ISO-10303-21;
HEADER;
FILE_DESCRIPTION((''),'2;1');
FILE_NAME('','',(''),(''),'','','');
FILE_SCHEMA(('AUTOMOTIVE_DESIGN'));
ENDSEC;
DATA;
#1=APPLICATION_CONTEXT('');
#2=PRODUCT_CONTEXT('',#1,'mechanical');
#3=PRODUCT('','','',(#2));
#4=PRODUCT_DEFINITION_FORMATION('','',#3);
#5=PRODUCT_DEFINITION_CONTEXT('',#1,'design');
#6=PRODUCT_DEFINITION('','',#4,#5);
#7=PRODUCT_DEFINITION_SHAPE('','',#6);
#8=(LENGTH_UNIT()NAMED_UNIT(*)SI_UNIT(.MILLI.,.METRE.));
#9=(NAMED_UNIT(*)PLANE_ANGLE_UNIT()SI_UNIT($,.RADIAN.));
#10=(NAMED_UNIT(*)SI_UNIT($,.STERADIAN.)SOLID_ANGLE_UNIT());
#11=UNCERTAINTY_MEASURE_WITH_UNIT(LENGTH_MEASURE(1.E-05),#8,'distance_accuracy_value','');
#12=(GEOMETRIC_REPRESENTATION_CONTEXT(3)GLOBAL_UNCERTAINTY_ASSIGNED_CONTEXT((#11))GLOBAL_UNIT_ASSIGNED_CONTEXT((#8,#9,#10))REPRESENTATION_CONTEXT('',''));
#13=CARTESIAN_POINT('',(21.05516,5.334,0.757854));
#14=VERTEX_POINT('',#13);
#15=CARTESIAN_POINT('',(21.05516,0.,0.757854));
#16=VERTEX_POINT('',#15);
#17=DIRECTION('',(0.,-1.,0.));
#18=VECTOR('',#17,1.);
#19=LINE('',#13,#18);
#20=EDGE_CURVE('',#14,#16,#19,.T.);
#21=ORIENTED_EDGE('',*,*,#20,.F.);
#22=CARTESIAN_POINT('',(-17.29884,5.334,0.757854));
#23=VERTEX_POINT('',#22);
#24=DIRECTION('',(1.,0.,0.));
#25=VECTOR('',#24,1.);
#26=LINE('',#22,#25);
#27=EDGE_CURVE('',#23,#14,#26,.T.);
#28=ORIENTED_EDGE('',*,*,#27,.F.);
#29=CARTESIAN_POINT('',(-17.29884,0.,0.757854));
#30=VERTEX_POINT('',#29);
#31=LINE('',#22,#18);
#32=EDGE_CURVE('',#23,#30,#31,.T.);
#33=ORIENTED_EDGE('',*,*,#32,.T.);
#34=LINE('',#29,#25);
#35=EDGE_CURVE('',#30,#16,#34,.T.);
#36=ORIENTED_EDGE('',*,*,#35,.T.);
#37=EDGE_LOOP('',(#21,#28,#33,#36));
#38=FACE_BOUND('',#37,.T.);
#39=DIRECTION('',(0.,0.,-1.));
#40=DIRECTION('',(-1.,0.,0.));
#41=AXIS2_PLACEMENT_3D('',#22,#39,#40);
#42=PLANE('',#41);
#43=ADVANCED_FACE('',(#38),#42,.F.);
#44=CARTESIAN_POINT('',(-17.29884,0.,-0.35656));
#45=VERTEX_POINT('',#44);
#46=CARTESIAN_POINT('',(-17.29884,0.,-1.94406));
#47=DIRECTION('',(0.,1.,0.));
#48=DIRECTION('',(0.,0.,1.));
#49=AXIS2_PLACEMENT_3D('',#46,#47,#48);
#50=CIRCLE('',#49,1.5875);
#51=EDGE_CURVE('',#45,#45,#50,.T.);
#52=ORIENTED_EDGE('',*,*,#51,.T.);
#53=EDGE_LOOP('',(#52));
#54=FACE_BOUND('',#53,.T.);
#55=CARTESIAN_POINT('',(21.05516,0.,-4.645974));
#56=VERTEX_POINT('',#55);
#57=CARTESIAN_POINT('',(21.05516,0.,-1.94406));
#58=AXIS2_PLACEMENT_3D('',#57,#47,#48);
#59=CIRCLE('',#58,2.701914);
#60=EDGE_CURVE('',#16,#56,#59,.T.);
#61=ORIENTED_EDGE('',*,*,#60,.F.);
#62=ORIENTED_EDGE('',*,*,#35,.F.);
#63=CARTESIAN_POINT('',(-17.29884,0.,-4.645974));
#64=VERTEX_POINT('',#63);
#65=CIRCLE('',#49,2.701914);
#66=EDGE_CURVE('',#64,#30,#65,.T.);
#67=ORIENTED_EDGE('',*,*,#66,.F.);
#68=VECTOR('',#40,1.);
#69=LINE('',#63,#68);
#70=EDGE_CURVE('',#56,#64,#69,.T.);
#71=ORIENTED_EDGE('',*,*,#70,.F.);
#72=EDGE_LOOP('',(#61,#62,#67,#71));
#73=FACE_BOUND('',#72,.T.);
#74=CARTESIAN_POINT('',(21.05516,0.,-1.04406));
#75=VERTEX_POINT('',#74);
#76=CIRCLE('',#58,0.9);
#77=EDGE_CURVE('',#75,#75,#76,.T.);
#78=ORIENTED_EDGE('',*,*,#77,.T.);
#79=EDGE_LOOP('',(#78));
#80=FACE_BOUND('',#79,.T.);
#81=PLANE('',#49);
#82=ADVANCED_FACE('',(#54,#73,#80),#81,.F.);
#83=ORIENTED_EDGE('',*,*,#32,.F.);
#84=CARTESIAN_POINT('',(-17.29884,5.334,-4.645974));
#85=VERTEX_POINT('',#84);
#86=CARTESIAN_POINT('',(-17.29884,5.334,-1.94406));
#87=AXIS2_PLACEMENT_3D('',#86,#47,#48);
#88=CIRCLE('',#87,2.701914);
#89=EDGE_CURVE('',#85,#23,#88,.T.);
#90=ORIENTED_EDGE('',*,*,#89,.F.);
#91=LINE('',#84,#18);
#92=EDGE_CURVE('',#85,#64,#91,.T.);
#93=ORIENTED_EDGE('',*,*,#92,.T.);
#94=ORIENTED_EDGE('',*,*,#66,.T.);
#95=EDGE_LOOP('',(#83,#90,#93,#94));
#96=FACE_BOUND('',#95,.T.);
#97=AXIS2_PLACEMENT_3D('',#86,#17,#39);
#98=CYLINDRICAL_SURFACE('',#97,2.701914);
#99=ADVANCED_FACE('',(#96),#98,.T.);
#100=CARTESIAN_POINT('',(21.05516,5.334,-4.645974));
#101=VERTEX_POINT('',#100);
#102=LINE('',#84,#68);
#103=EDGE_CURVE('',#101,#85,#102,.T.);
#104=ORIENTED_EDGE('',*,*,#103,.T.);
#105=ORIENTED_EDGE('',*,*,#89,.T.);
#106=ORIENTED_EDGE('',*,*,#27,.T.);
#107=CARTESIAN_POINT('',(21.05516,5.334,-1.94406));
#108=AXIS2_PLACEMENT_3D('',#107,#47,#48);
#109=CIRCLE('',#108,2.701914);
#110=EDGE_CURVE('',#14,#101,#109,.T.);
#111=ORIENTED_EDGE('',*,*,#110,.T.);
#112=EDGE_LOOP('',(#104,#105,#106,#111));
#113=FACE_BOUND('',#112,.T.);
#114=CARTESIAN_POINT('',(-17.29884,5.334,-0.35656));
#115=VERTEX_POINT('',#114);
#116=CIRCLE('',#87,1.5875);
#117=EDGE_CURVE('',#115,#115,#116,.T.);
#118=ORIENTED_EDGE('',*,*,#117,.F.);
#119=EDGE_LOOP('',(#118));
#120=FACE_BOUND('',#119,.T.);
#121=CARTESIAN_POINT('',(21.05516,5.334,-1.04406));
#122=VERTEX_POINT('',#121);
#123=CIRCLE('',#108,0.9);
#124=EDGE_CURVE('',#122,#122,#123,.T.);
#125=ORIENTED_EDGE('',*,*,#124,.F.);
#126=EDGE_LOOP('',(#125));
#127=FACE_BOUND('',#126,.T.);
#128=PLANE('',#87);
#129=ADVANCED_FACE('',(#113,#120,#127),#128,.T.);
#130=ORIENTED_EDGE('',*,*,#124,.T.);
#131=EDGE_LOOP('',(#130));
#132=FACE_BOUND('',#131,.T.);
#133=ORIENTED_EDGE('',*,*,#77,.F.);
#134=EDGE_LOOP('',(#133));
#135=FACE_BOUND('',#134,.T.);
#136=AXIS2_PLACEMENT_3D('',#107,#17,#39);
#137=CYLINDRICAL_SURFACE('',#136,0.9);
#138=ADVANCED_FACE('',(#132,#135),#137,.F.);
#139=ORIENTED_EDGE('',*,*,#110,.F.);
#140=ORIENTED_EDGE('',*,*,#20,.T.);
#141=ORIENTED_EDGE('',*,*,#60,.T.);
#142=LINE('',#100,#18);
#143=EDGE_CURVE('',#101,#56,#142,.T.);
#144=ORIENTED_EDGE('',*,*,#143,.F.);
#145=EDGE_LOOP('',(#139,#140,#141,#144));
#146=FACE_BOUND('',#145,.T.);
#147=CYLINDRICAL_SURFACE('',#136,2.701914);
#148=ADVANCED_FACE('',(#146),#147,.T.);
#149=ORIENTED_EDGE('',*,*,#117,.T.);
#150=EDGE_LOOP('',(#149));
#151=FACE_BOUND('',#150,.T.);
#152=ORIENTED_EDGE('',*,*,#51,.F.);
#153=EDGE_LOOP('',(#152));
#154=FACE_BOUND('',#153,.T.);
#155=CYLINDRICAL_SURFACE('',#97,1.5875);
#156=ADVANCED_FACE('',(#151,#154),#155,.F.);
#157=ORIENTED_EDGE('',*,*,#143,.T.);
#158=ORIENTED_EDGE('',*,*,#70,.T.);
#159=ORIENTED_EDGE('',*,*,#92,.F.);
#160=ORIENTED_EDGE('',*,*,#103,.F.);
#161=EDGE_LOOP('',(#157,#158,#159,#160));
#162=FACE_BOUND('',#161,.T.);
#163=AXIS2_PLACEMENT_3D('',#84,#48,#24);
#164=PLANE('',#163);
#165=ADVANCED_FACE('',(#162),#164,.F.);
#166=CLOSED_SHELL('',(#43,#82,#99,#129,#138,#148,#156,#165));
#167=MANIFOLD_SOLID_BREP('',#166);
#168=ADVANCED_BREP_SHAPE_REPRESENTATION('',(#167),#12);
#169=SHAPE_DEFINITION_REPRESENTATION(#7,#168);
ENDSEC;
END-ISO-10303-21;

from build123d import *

# Parameters (mm, degrees)
SKETCH1_R           = 1.5875
SKETCH1_R_2         = 0.9
BOSS_EXTRUDE1_DEPTH = 5.334


with BuildPart() as part:
    # Sketch1 → Boss-Extrude1 (new body)
    with BuildSketch(Plane(origin=(0, 0, 0), x_dir=(1, 0, 0), z_dir=(0, 1, 0))):
        with BuildLine():
            Line((-17.298840206, 4.645974227), (21.055159794, 4.645974227))
            ThreePointArc((21.055159794, 4.645974227), (23.757073883, 1.944060137), (21.055159794, -0.757853952))
            Line((21.055159794, -0.757853952), (-17.298840206, -0.757853952))
            ThreePointArc((-17.298840206, -0.757853952), (-20.000754296, 1.944060137), (-17.298840206, 4.645974227))
        make_face()
        with Locations(Location((-17.298840206, 1.944060137, 0), (0, 0, 270))):
            Circle(SKETCH1_R, mode=Mode.SUBTRACT)
        with Locations(Location((21.055159794, 1.944060137, 0), (0, 0, 270))):
            Circle(SKETCH1_R_2, mode=Mode.SUBTRACT)
    extrude(amount=BOSS_EXTRUDE1_DEPTH)


solid = part.part
